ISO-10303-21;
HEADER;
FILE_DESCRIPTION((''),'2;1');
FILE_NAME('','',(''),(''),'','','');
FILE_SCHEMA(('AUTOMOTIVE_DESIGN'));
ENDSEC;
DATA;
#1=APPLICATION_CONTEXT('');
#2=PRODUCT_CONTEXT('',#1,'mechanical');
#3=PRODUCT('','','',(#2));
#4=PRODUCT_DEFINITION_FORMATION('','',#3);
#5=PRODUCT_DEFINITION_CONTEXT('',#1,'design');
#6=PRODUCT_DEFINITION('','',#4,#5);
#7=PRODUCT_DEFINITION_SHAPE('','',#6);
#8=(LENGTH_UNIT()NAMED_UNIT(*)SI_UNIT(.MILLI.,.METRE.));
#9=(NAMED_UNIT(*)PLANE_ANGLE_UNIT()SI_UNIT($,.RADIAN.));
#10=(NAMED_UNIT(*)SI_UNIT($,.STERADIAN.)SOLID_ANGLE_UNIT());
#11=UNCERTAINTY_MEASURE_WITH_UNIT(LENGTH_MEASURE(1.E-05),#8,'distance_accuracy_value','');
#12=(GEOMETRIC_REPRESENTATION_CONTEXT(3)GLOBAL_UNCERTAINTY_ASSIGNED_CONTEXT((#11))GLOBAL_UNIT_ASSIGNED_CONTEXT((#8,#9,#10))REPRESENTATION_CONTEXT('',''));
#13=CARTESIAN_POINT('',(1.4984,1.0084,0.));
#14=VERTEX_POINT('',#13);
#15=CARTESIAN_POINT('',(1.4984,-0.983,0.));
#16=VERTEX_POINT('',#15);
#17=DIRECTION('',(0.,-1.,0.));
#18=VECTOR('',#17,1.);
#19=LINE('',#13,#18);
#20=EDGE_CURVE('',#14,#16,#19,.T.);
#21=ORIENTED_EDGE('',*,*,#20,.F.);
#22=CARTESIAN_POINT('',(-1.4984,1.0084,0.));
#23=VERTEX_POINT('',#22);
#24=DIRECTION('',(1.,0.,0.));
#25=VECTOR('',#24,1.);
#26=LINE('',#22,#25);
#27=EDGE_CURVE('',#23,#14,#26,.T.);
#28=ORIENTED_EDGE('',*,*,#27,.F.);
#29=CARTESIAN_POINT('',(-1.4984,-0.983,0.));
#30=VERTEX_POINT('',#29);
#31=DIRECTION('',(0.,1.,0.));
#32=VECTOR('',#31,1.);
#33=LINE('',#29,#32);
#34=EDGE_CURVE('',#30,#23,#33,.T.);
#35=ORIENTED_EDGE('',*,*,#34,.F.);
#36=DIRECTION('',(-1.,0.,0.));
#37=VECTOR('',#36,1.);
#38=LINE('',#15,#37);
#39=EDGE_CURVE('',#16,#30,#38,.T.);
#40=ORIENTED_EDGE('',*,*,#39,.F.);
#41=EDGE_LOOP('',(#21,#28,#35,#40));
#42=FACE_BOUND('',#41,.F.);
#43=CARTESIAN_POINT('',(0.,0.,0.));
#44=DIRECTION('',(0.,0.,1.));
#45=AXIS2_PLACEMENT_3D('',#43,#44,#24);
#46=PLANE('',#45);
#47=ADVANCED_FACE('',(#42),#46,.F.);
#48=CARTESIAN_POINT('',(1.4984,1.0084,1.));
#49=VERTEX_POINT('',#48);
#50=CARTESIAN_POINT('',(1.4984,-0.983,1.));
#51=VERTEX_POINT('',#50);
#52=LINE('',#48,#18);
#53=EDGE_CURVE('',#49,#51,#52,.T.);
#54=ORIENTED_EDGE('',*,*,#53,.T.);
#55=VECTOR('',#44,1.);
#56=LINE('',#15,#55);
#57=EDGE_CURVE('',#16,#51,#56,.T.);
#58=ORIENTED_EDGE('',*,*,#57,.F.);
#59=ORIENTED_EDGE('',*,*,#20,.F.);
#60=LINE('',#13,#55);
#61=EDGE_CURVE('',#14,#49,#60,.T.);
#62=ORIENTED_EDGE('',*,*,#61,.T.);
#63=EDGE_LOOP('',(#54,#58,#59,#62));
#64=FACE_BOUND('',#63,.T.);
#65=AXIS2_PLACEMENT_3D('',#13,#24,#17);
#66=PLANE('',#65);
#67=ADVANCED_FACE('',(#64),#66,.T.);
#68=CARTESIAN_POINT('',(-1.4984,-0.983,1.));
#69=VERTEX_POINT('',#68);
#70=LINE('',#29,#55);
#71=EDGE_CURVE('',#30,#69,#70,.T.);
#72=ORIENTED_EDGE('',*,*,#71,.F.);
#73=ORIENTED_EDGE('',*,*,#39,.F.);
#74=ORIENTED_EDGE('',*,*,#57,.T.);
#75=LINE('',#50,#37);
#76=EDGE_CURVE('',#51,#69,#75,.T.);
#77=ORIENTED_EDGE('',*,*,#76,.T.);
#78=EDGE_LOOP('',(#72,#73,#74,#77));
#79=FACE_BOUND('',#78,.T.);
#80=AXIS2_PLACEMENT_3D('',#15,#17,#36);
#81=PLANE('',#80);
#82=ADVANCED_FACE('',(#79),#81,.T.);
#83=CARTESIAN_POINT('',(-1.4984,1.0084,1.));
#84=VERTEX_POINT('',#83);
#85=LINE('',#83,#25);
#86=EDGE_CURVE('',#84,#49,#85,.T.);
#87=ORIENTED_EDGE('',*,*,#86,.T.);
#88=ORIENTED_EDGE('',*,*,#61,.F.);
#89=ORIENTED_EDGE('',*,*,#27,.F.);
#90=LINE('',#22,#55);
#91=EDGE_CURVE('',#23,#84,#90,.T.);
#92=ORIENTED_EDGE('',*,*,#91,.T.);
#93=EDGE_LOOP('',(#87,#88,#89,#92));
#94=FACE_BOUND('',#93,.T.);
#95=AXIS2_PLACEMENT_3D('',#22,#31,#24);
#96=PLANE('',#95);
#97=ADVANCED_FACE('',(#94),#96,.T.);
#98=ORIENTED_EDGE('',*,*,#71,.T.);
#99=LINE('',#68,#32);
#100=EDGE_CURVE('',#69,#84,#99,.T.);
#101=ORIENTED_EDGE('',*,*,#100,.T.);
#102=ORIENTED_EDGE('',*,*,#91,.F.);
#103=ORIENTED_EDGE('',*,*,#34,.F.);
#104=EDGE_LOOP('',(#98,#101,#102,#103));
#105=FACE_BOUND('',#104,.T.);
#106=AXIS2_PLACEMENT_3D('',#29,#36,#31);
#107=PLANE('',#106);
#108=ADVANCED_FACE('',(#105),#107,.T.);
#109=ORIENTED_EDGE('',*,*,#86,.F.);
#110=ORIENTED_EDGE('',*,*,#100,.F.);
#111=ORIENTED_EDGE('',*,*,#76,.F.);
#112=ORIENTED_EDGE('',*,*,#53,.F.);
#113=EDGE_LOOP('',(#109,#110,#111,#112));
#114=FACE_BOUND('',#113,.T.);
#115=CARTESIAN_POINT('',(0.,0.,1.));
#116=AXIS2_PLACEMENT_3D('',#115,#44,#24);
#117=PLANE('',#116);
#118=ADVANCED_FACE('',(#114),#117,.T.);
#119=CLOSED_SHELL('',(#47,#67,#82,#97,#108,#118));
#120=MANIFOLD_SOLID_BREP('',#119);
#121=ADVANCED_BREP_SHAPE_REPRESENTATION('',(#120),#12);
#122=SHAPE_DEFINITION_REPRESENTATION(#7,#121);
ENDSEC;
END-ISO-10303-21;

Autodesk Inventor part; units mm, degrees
ref_plane "YZ Plane" through (0, 0, 0) normal (1, 0, 0) x (0, 1, 0)
ref_plane "XZ Plane" through (0, 0, 0) normal (0, 1, 0) x (-1, 0, 0)
ref_plane "XY Plane" through (0, 0, 0) normal (0, 0, 1) x (1, 0, 0)
sketch "0603-RES, 1_42" plane through (0, 0, 0) normal (0, 0, 1) x (1, 0, 0)
  line L0 (-1.4984, 1.0084) -> (1.4984, 1.0084)
  line L1 (1.4984, 1.0084) -> (1.4984, -0.983)
  line L2 (1.4984, -0.983) -> (-1.4984, -0.983)
  line L3 (-1.4984, -0.983) -> (-1.4984, 1.0084)
extrude "Extrusion1" add sketch "0603-RES, 1_42" along normal blind 1
properties part number "1"
